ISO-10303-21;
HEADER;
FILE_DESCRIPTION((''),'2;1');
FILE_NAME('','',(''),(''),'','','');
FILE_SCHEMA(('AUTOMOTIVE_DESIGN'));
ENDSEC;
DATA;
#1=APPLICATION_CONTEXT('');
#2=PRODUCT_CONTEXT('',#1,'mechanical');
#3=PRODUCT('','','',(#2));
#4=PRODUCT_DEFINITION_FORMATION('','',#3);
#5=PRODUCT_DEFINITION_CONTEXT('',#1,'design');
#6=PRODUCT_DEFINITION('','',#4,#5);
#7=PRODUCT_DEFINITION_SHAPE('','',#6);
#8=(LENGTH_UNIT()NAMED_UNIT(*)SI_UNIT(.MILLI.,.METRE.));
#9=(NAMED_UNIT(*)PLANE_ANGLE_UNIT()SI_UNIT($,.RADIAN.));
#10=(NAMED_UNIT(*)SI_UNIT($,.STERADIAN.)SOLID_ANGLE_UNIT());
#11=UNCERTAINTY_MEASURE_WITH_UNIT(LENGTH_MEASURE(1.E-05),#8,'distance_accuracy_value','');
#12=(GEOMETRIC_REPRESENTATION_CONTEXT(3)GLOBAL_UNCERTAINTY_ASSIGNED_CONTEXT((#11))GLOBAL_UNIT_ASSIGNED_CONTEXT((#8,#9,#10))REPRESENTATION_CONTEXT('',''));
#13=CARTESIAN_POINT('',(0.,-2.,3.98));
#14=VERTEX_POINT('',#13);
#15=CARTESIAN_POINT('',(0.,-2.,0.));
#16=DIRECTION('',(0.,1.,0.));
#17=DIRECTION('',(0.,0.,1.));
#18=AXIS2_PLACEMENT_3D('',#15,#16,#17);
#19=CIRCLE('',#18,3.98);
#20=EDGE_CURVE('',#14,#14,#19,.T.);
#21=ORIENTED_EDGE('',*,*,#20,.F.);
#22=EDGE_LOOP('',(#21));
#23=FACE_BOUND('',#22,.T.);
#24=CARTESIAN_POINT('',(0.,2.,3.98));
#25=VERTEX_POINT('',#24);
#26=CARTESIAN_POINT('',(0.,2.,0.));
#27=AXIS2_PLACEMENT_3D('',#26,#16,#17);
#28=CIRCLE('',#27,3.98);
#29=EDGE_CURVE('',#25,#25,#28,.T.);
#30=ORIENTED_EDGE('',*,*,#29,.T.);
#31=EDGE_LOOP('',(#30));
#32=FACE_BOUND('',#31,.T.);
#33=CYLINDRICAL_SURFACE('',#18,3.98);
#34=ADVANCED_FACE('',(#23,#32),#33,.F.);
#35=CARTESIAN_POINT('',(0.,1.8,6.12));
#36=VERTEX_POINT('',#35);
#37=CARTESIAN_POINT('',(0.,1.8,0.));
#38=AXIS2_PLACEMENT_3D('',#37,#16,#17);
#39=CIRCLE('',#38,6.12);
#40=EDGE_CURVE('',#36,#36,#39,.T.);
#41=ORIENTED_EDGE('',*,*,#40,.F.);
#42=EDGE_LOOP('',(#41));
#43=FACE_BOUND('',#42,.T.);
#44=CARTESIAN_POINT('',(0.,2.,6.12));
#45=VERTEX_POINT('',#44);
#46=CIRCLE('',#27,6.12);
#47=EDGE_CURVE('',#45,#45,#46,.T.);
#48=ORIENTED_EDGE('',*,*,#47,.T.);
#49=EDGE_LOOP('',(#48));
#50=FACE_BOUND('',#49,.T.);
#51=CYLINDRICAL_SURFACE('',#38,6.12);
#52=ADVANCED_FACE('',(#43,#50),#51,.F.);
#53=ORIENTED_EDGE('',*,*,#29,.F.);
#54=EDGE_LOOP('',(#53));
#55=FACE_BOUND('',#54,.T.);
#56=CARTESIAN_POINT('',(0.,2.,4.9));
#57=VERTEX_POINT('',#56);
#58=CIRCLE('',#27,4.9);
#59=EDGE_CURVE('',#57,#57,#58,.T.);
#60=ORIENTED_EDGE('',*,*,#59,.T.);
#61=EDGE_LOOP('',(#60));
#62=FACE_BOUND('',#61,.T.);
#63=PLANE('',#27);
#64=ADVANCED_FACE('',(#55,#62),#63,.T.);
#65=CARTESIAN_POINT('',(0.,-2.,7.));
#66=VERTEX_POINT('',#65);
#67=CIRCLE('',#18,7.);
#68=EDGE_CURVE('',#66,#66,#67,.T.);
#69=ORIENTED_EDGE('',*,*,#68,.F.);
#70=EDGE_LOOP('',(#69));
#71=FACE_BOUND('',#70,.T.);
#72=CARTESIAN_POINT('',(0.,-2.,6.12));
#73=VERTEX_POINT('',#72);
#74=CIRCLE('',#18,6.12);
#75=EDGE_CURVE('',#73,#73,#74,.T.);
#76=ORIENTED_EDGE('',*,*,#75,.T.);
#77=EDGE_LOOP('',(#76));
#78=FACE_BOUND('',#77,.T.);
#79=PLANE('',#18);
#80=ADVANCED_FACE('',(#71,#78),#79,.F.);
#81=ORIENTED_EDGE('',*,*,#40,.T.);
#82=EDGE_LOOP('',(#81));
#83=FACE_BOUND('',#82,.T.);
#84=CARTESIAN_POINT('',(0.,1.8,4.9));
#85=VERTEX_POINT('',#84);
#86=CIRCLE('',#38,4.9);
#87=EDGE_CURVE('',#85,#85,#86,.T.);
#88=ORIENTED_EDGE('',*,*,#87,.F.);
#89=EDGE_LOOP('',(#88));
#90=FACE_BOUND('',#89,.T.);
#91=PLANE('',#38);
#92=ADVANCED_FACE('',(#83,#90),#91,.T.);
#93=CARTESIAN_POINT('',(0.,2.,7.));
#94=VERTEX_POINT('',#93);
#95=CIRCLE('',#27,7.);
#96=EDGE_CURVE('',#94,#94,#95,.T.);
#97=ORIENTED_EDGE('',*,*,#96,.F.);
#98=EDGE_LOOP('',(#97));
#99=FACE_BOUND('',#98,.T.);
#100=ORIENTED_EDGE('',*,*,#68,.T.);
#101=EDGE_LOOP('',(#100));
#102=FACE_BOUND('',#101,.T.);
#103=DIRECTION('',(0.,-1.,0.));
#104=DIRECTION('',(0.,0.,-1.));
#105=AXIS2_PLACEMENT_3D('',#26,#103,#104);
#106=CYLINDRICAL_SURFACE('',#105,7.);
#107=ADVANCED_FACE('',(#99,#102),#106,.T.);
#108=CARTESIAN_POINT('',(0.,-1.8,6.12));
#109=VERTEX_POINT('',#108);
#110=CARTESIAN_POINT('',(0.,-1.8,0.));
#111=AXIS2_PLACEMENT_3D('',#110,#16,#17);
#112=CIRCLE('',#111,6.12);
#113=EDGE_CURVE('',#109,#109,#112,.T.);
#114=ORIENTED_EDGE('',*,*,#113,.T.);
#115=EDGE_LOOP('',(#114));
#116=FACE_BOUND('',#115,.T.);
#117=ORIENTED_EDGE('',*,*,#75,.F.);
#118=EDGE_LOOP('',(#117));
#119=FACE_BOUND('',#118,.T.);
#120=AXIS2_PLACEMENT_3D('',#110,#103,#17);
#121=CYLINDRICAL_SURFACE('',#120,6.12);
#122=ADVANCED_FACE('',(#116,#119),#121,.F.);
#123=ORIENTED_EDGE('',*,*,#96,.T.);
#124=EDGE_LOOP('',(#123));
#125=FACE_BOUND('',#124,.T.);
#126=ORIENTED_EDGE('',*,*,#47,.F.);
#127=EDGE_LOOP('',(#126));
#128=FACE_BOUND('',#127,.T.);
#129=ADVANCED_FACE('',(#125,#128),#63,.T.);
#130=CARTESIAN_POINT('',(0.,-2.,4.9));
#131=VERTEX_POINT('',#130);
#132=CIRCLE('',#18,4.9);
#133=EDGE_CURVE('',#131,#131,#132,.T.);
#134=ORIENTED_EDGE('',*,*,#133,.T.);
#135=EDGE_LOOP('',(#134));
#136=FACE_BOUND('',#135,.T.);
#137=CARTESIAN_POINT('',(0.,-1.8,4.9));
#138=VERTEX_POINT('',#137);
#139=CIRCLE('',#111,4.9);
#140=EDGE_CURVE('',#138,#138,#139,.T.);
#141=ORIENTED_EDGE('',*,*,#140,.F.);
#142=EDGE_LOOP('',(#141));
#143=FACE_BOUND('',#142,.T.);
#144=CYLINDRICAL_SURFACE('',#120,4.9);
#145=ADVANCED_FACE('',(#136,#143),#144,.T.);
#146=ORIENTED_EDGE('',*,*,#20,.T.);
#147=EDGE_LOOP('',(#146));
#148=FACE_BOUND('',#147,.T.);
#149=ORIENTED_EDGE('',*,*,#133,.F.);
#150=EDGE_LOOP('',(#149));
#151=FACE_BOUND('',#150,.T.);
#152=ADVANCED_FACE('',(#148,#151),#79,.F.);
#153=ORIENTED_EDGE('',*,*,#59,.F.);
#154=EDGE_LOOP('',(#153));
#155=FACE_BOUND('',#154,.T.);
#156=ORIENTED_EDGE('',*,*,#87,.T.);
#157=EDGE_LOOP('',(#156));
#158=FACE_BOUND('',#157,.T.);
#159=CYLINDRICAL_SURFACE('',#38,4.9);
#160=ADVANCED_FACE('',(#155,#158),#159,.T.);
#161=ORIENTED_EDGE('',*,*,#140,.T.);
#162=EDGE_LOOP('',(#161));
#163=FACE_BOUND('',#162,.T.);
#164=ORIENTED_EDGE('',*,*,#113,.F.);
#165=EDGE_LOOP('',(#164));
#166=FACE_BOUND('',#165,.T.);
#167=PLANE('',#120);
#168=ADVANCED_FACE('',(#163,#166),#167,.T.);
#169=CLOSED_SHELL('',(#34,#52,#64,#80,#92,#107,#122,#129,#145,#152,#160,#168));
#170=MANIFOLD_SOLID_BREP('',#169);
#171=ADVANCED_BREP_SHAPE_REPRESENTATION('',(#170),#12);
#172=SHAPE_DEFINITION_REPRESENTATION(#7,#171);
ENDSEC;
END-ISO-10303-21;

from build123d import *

# Parameters (mm, degrees)
SKETCH1_R               = 7
BOSS_EXTRUDE1_DEPTH     = 2
SKETCH2_R               = 3.98
CUT_EXTRUDE1_DEPTH      = 3
CUT_EXTRUDE1_DEPTH_BACK = 3
CUT_EXTRUDE2_START      = 2
SKETCH3_R               = 6.12
SKETCH3_R_2             = 4.9
CUT_EXTRUDE2_DEPTH      = 0.2


with BuildPart() as part:
    # Sketch1 → Boss-Extrude1 (new body, symmetric)
    with BuildSketch(Plane(origin=(0, 0, 0), x_dir=(1, 0, 0), z_dir=(0, 1, 0))):
        Circle(SKETCH1_R)
    extrude(amount=BOSS_EXTRUDE1_DEPTH, both=True)

    # Sketch2 → Cut-Extrude1 (cut, two sides)
    with BuildSketch(Plane(origin=(0, 0, 0), x_dir=(1, 0, 0), z_dir=(0, 1, 0))) as cut_extrude1_sk:
        Circle(SKETCH2_R)
    extrude(amount=CUT_EXTRUDE1_DEPTH, mode=Mode.SUBTRACT)
    extrude(cut_extrude1_sk.sketch, amount=-CUT_EXTRUDE1_DEPTH_BACK, mode=Mode.SUBTRACT)

    # Sketch3 → Cut-Extrude2 (cut)
    with BuildSketch(Plane(origin=(0, 0, 0), x_dir=(1, 0, 0), z_dir=(0, 1, 0)).offset(CUT_EXTRUDE2_START)):
        Circle(SKETCH3_R)
        Circle(SKETCH3_R_2, mode=Mode.SUBTRACT)
    cut_extrude2 = extrude(amount=-CUT_EXTRUDE2_DEPTH, mode=Mode.SUBTRACT)

    # Mirror1: Cut-Extrude2 across plane
    add(cut_extrude2.mirror(Plane.ZX), mode=Mode.SUBTRACT)


solid = part.part
